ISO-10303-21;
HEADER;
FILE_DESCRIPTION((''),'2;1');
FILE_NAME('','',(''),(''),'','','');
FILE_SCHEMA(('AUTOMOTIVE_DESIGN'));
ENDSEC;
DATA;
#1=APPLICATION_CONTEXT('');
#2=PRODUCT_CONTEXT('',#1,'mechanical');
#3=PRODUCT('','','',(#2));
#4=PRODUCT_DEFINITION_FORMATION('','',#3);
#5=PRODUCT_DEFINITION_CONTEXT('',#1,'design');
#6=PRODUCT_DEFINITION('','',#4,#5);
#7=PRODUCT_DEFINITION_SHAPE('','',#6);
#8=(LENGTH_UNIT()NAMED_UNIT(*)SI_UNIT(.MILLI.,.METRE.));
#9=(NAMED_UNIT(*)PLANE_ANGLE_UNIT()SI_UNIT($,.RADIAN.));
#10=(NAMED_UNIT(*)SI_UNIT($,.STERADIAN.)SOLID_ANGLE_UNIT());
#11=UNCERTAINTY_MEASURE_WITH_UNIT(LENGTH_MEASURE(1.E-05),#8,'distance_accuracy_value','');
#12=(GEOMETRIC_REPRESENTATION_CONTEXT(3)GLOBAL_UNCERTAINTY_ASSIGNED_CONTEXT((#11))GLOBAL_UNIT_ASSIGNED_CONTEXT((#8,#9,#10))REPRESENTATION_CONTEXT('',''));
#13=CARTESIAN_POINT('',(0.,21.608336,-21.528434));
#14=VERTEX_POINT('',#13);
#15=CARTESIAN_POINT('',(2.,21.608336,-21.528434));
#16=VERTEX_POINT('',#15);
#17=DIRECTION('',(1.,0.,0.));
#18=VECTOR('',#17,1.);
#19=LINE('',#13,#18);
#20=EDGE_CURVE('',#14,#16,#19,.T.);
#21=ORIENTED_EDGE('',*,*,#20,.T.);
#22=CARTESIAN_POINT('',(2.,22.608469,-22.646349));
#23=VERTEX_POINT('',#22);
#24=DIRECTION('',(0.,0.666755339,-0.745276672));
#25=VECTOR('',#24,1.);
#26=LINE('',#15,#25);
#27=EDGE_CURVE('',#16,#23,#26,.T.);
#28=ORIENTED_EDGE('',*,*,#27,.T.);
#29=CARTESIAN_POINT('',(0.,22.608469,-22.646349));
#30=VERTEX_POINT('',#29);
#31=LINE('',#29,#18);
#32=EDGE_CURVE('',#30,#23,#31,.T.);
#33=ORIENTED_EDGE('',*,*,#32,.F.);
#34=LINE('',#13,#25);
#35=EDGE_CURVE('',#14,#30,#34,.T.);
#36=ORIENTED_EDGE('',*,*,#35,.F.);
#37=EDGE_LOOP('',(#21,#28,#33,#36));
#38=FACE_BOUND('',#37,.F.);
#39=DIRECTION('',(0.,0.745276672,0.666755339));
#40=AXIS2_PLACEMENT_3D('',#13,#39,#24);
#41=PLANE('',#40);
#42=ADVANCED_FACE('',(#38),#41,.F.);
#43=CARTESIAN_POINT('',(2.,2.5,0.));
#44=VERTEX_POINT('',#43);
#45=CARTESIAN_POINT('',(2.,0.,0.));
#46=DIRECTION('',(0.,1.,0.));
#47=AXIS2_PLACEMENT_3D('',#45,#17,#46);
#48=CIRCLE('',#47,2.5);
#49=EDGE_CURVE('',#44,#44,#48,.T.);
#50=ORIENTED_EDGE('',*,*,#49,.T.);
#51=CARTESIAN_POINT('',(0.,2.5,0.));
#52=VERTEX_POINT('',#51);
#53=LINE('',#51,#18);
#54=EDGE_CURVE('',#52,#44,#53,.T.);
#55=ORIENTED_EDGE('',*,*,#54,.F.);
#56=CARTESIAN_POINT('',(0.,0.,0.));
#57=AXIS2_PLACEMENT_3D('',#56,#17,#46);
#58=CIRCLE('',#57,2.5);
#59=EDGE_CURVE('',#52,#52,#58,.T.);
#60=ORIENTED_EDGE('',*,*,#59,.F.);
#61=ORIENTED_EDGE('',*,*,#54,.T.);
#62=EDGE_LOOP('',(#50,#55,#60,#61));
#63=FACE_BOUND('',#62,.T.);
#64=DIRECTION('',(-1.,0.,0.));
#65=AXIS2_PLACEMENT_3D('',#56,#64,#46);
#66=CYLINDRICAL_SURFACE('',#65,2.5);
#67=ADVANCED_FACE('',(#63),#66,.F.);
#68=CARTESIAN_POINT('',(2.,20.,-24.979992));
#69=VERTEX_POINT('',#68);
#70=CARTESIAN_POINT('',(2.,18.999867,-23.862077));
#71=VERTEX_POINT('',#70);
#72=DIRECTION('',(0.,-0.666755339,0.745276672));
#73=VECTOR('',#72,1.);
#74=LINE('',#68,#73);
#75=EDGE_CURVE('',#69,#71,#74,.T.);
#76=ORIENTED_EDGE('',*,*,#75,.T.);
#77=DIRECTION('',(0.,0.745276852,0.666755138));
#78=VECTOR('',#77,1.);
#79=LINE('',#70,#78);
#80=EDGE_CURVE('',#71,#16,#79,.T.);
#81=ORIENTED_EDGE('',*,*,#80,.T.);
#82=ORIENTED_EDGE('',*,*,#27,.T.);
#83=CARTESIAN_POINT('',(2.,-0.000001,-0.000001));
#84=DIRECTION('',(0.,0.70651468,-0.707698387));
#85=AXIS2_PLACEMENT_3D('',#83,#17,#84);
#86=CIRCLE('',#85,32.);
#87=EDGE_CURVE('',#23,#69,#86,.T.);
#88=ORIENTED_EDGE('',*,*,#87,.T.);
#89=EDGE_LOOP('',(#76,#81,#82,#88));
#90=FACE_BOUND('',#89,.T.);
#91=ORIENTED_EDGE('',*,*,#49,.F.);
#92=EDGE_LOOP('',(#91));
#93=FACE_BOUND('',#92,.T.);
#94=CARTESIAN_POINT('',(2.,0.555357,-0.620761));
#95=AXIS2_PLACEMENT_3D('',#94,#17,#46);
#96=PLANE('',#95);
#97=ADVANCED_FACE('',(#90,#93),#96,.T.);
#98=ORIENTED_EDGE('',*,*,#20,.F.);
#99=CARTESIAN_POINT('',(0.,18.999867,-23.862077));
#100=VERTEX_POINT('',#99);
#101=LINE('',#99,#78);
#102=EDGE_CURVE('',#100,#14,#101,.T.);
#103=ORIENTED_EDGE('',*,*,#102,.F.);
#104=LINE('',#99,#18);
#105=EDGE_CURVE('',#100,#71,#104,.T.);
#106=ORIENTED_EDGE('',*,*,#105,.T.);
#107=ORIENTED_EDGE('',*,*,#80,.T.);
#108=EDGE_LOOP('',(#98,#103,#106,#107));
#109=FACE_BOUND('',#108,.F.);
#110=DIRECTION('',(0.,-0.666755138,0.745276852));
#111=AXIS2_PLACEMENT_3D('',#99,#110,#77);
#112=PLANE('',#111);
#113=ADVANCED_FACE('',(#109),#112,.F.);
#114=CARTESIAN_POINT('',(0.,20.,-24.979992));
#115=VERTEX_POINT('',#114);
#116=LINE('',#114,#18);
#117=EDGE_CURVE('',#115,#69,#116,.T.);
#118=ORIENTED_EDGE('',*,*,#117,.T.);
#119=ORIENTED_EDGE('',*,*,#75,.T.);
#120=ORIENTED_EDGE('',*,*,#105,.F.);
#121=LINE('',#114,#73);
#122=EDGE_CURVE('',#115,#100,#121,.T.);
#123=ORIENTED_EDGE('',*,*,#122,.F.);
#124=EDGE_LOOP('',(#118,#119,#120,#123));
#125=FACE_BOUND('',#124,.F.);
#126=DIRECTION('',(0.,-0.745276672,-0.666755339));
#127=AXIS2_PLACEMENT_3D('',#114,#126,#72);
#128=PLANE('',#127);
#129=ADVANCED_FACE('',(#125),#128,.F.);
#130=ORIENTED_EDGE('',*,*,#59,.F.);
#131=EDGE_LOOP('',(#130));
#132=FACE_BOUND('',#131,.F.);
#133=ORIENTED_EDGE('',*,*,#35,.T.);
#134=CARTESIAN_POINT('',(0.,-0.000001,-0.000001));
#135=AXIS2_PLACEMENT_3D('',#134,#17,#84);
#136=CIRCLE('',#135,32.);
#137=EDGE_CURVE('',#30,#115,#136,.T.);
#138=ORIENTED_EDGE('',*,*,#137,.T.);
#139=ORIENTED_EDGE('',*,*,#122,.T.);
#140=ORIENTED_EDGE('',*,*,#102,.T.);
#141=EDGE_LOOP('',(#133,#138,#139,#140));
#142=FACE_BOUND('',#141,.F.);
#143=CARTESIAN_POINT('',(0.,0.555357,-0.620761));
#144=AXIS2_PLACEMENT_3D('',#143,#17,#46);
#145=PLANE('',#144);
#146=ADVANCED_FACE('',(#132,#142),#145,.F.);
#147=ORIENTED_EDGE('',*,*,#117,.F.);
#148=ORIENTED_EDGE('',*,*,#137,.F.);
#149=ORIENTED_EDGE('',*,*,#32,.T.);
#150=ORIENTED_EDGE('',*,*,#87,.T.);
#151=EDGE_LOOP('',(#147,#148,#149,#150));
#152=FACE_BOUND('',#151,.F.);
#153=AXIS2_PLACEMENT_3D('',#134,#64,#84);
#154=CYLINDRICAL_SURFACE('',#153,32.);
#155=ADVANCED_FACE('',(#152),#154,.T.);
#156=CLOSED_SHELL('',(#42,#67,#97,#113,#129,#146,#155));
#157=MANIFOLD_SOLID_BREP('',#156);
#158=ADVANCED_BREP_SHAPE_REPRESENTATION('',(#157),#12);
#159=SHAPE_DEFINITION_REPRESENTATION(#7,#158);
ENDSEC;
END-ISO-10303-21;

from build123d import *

# Parameters (mm, degrees)
F0_R     = 2.5
F1_DEPTH = 2


with BuildPart() as f1:
    # F0 (on Right) → F1 (new body)
    with BuildSketch(Plane.YZ):
        with BuildLine():
            Line((21.608336, -21.528434), (22.608469, -22.646349))
            ThreePointArc((22.608469, -22.646349), (-21.336164, 23.84886), (20, -24.979992))
            Line((20, -24.979992), (18.999867, -23.862077))
            Line((18.999867, -23.862077), (21.608336, -21.528434))
        make_face()
        Circle(F0_R, mode=Mode.SUBTRACT)
    extrude(amount=F1_DEPTH)


solid = f1.part
